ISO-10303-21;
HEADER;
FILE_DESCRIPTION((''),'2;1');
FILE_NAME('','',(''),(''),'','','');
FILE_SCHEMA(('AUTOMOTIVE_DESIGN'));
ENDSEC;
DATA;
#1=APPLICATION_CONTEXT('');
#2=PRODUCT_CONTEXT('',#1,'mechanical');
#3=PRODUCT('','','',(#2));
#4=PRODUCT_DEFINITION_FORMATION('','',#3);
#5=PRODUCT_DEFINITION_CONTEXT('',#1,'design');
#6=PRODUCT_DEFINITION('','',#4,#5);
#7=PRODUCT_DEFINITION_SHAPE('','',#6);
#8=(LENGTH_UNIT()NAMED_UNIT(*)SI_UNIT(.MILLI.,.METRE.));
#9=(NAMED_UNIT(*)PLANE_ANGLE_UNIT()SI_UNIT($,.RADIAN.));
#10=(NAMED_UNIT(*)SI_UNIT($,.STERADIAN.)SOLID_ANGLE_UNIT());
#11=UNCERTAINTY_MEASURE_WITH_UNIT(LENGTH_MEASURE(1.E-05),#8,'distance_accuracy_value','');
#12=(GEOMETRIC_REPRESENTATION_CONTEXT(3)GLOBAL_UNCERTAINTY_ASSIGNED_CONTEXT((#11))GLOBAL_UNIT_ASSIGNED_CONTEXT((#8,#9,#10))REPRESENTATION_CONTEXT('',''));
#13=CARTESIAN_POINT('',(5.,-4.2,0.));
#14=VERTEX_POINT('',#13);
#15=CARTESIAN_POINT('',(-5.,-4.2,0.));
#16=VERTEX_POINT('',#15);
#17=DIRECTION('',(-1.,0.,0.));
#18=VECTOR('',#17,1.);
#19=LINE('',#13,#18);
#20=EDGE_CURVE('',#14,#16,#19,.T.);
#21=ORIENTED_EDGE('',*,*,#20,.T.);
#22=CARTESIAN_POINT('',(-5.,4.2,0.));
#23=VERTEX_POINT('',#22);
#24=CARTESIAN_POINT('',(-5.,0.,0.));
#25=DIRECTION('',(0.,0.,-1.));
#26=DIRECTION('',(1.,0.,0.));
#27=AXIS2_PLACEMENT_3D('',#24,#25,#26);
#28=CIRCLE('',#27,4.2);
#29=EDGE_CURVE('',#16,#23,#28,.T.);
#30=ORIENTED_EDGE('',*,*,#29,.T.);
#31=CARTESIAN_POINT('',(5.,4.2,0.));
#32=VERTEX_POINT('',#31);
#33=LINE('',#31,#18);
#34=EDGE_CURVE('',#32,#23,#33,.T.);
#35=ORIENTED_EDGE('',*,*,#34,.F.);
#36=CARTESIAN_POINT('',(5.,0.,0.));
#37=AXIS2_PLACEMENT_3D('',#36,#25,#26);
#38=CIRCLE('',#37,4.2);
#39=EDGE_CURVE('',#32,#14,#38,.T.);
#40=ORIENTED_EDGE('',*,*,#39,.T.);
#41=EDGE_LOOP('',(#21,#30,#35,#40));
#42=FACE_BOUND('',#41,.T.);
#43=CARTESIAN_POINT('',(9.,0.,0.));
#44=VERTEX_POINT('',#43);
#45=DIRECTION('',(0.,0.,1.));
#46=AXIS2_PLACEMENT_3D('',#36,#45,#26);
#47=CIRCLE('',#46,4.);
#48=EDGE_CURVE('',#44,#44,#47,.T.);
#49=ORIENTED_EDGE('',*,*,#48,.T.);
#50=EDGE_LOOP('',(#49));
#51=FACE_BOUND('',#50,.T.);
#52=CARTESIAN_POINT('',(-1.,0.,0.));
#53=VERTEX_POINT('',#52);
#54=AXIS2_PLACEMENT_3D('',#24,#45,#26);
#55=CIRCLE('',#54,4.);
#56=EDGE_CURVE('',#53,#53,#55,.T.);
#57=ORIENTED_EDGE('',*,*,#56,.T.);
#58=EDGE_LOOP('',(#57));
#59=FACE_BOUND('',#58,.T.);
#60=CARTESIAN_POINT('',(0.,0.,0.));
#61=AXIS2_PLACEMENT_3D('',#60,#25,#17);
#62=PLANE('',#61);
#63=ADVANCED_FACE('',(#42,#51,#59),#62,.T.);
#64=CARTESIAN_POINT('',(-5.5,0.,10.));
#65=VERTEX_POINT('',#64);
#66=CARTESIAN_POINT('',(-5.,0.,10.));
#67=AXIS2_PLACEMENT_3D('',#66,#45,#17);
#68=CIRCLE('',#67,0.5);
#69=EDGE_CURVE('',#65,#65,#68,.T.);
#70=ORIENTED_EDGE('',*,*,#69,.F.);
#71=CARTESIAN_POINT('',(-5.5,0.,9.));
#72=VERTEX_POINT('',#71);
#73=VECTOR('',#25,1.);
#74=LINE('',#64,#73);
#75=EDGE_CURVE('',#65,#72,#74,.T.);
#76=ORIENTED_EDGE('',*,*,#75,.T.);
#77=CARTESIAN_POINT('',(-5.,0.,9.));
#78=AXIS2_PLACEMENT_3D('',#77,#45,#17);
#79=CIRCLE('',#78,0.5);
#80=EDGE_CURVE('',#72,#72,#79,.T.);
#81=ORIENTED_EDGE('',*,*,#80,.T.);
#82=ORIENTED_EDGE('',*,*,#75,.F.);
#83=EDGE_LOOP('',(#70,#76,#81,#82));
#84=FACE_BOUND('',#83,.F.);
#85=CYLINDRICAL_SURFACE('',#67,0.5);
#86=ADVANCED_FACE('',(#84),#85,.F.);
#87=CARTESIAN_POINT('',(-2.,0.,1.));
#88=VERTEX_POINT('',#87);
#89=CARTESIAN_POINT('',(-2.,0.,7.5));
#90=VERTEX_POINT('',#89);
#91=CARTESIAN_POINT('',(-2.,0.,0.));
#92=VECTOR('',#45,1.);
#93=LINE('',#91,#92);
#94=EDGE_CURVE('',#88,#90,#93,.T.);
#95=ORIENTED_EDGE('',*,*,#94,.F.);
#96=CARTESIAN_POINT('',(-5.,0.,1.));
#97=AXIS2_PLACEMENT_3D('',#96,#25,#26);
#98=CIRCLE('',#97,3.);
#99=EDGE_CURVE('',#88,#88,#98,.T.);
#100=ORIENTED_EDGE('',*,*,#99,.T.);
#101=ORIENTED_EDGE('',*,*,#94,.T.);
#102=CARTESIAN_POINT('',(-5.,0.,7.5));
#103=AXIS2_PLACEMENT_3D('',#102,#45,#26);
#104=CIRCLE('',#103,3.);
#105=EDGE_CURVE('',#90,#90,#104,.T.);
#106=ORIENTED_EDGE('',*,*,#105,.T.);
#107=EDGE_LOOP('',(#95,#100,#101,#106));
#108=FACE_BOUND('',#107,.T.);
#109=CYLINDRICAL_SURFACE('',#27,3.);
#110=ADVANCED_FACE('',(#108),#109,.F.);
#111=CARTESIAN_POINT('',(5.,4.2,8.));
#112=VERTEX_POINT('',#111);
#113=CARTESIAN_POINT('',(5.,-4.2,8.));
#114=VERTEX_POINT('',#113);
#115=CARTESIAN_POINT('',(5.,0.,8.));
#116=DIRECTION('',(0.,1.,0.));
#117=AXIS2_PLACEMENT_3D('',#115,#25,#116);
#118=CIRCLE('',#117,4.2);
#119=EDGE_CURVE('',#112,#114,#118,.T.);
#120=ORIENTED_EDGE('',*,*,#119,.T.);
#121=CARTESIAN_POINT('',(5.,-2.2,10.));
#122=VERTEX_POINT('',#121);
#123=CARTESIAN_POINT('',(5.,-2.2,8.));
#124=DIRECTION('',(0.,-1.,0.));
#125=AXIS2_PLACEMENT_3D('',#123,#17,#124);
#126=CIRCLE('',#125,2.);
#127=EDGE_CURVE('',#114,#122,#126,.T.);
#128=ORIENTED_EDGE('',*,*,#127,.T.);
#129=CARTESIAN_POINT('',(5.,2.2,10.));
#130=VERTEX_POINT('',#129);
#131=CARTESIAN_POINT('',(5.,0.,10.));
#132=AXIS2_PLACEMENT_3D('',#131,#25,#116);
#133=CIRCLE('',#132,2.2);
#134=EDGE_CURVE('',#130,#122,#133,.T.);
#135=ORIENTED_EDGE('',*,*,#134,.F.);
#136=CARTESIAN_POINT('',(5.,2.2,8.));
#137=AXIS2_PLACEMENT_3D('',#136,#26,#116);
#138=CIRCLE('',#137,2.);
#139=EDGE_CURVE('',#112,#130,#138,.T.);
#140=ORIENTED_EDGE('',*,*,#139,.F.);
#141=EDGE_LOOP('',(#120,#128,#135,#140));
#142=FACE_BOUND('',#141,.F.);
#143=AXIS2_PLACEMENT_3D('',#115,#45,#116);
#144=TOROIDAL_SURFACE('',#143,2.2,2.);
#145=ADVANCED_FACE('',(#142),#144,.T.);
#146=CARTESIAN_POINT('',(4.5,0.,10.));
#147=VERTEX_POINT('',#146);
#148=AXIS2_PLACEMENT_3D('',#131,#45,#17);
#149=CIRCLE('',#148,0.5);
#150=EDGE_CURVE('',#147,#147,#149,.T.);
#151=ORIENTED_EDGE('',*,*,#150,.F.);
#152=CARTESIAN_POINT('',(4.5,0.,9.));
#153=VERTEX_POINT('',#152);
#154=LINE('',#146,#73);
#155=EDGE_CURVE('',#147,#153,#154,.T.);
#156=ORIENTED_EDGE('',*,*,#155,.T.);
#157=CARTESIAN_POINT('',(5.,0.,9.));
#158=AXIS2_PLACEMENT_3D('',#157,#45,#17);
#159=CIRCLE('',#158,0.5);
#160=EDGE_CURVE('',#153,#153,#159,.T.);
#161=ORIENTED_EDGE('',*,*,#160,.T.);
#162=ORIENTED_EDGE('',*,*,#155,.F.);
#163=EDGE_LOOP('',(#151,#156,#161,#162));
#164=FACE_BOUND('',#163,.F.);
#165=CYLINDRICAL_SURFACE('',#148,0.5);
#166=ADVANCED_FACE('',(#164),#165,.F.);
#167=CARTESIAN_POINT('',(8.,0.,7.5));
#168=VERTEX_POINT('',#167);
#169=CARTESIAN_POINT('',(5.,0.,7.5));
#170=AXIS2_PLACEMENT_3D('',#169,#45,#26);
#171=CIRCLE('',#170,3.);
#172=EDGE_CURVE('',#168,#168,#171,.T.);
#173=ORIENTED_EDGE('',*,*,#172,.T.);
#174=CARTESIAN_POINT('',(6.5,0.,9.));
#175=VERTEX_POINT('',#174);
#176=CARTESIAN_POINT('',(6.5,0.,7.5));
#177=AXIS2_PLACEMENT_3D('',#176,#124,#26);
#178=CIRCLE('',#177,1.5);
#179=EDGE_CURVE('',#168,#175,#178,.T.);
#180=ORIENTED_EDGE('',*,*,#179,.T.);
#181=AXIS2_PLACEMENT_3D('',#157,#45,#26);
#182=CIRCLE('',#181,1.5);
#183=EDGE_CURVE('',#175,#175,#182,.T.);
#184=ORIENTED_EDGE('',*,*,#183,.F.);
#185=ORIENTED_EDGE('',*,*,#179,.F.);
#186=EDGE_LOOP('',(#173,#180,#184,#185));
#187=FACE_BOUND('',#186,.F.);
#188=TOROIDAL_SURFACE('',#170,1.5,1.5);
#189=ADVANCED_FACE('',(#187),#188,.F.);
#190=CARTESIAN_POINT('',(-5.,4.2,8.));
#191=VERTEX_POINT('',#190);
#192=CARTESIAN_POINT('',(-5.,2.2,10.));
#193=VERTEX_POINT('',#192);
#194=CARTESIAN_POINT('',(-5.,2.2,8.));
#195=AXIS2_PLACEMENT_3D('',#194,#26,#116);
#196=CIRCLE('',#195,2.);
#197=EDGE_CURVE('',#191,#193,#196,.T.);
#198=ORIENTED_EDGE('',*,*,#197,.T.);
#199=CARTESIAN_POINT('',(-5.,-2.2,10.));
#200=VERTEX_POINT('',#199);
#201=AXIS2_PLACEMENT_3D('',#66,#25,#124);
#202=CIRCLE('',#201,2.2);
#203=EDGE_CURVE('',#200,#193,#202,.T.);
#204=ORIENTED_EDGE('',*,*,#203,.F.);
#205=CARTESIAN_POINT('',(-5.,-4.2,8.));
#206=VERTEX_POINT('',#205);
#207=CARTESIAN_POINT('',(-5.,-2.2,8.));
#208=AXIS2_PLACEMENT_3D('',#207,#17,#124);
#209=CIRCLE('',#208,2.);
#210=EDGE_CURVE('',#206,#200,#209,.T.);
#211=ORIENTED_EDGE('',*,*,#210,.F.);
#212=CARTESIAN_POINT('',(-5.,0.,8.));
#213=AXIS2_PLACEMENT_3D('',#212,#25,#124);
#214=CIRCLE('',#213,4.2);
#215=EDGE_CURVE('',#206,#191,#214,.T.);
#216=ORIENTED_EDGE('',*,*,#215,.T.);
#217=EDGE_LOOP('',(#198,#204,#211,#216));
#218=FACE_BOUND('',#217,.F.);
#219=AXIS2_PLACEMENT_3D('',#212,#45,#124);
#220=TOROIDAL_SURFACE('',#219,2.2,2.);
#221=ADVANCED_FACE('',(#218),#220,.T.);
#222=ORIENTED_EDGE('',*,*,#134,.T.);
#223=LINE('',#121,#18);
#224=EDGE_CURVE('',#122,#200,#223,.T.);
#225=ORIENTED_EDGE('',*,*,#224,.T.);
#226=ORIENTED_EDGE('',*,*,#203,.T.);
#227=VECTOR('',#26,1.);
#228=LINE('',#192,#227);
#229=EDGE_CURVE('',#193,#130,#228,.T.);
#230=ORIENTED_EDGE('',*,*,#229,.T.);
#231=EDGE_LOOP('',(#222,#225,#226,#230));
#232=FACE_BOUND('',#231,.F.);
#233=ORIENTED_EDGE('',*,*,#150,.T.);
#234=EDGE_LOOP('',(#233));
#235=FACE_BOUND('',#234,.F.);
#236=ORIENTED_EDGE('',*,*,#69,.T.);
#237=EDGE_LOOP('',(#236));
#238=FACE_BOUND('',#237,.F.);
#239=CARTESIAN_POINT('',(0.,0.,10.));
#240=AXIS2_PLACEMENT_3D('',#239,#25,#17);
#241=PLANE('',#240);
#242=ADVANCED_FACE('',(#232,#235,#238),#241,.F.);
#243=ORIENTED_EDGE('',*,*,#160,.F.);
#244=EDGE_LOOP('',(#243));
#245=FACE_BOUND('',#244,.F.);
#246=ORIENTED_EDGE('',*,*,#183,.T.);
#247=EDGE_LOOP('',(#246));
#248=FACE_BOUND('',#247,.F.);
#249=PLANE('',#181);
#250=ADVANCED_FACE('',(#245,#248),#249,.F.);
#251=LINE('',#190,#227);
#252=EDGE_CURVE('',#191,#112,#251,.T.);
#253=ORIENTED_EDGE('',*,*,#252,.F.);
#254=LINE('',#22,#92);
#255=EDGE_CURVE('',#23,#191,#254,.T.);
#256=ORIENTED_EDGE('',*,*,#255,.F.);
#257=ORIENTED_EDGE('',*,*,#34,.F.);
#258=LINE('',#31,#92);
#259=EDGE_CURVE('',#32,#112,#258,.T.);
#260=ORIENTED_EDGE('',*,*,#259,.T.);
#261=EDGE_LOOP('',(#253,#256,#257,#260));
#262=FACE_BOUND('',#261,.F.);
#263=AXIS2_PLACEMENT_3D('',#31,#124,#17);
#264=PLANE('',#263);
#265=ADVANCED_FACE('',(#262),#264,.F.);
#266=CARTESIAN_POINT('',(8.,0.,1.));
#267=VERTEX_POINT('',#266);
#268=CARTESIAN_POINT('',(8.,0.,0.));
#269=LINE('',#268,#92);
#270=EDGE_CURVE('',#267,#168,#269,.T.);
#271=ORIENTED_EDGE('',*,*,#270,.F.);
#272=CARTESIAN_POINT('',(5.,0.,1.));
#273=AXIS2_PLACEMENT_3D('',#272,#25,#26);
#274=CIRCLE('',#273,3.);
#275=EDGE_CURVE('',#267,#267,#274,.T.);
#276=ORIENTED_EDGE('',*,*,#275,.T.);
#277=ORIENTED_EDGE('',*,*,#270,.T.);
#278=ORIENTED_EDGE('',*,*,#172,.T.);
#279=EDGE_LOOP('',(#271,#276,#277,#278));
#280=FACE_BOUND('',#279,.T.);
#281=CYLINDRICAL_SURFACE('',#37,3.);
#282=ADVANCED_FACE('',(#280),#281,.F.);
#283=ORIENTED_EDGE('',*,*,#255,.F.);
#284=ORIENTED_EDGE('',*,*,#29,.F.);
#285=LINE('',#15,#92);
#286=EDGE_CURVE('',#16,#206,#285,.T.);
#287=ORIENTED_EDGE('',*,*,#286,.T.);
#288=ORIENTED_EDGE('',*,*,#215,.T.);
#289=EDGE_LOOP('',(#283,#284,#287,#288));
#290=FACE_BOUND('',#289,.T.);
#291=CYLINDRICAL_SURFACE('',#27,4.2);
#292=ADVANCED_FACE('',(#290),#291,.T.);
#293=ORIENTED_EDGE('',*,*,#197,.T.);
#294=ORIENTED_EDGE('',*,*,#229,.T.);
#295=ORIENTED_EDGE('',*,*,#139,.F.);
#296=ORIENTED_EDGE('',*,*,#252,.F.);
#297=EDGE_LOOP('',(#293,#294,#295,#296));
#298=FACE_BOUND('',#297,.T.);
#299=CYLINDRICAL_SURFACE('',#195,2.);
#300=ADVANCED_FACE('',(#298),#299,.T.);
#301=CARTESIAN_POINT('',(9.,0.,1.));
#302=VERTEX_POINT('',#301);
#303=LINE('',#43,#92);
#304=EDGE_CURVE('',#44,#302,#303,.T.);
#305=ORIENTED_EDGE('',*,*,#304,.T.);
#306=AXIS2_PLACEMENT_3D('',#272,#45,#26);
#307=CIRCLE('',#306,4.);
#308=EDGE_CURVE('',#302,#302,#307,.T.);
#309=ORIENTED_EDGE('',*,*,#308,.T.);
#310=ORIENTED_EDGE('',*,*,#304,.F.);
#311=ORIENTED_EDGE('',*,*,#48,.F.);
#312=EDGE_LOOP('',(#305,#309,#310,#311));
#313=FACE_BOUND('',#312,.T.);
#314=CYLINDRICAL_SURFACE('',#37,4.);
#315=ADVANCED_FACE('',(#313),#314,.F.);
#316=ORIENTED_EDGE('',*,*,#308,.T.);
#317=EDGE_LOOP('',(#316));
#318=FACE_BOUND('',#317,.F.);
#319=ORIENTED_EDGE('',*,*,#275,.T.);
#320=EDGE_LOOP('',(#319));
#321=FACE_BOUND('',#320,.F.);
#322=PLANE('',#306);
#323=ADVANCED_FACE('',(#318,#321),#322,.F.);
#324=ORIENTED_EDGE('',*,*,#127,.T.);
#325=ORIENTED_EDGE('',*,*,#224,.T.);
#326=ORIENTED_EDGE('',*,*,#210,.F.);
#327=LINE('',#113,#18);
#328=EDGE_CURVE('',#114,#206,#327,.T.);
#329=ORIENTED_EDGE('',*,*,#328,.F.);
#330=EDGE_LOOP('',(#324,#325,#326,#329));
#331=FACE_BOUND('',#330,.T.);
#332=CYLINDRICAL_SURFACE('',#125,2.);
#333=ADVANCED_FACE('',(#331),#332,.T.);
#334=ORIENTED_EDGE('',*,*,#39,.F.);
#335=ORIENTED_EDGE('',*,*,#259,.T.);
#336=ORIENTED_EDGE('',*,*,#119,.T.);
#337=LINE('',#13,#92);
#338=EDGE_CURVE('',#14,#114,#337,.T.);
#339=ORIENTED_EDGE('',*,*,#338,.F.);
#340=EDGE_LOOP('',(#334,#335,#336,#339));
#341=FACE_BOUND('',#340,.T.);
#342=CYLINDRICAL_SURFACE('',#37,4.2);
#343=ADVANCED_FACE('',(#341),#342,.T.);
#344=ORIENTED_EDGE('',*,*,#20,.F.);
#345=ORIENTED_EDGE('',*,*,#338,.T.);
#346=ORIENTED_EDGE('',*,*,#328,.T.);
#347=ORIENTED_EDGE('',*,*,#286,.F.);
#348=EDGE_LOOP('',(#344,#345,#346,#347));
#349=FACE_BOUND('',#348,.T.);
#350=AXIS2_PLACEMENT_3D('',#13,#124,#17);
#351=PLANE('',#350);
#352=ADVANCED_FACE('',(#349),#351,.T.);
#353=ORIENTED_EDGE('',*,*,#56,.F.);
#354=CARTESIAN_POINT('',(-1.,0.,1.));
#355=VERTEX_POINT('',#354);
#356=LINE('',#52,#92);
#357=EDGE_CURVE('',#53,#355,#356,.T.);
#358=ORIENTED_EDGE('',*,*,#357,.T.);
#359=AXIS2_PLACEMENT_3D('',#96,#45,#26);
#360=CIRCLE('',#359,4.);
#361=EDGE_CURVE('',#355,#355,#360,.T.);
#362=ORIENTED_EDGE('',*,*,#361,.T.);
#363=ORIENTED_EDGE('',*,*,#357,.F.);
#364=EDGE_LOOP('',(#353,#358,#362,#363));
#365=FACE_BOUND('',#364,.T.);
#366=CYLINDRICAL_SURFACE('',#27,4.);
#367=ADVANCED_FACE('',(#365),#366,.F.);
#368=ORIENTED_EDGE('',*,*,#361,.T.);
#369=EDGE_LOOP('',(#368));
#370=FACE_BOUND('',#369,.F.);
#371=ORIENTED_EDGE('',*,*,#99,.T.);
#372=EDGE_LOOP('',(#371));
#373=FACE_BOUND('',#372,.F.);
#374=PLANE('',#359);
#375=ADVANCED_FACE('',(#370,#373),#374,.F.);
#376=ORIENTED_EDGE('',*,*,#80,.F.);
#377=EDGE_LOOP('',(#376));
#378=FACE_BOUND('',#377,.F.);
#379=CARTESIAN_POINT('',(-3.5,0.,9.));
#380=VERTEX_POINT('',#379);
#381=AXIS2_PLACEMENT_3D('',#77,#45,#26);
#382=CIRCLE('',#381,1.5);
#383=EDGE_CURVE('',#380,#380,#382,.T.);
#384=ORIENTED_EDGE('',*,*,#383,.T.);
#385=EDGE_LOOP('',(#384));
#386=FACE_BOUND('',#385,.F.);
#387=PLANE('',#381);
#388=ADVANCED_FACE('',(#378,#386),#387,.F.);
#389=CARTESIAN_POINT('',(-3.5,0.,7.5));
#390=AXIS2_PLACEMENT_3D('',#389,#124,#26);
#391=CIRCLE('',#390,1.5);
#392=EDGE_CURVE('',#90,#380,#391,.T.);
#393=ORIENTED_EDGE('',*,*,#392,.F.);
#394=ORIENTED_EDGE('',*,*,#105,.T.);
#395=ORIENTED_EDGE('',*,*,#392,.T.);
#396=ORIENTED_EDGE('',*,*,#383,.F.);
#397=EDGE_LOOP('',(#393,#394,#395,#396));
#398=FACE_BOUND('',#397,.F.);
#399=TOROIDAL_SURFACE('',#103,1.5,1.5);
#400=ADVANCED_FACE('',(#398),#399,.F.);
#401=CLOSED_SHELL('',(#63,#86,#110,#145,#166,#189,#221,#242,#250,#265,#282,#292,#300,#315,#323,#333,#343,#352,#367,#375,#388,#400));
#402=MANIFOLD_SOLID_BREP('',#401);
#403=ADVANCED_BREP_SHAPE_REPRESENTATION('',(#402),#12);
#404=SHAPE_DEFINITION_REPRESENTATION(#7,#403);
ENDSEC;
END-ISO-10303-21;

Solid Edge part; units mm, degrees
sketch "Sketch1" plane through (0, 0, 0) normal (0, 0, 1) x (1, 0, 0)
  line L0 (5, -4.2) -> (-5, -4.2)
  line L1 (5, 4.2) -> (-5, 4.2)
  arc A0 (-5, -4.2) -> (-5, 4.2) centre (-5, 0) cw
  arc A1 (5, 4.2) -> (5, -4.2) centre (5, 0) cw
extrude "Protrusion1" add sketch "Sketch1" along normal blind 10
sketch "Sketch2" plane through (0, 0, 0) normal (0, 0, 1) x (1, 0, 0)
  circle A0 centre (5, 0) radius 3
  circle A1 centre (-5, 0) radius 3
  dimension "D1" = 10
  dimension "D2" = 8
  dimension "D3" = 8
  dimension "D4" = 6
  dimension "D5" = 6
extrude "VaciadoExtruido_1" cut sketch "Sketch2" along normal blind 9
sketch "Sketch3" plane through (0, 0, 0) normal (0, 0, 1) x (1, 0, 0)
  circle A0 centre (5, 0) radius 4
  circle A1 centre (-5, 0) radius 4
  dimension "D1" = 10
  dimension "D2" = 8
  dimension "D3" = 8
  dimension "D4" = 6
  dimension "D5" = 6
extrude "VaciadoExtruido_2" cut sketch "Sketch3" along normal blind 1
fillet "Redondeo_1" radius 1.5 2 edges at (2, 0, 9) (-8, 0, 9)
fillet "Redondeo_2" radius 2 4 edges at (-9.2, 0, 10) (9.2, 0, 10) (0, -4.2, 10) (0, 4.2, 10)
sketch "Sketch4" plane through (0, 0, 10) normal (0, 0, 1) x (-1, 0, 0)
  circle A0 centre (-5, 0) radius 0.5
  circle A1 centre (5, 0) radius 0.5
extrude "Cutout1" cut sketch "Sketch4" against normal through all
